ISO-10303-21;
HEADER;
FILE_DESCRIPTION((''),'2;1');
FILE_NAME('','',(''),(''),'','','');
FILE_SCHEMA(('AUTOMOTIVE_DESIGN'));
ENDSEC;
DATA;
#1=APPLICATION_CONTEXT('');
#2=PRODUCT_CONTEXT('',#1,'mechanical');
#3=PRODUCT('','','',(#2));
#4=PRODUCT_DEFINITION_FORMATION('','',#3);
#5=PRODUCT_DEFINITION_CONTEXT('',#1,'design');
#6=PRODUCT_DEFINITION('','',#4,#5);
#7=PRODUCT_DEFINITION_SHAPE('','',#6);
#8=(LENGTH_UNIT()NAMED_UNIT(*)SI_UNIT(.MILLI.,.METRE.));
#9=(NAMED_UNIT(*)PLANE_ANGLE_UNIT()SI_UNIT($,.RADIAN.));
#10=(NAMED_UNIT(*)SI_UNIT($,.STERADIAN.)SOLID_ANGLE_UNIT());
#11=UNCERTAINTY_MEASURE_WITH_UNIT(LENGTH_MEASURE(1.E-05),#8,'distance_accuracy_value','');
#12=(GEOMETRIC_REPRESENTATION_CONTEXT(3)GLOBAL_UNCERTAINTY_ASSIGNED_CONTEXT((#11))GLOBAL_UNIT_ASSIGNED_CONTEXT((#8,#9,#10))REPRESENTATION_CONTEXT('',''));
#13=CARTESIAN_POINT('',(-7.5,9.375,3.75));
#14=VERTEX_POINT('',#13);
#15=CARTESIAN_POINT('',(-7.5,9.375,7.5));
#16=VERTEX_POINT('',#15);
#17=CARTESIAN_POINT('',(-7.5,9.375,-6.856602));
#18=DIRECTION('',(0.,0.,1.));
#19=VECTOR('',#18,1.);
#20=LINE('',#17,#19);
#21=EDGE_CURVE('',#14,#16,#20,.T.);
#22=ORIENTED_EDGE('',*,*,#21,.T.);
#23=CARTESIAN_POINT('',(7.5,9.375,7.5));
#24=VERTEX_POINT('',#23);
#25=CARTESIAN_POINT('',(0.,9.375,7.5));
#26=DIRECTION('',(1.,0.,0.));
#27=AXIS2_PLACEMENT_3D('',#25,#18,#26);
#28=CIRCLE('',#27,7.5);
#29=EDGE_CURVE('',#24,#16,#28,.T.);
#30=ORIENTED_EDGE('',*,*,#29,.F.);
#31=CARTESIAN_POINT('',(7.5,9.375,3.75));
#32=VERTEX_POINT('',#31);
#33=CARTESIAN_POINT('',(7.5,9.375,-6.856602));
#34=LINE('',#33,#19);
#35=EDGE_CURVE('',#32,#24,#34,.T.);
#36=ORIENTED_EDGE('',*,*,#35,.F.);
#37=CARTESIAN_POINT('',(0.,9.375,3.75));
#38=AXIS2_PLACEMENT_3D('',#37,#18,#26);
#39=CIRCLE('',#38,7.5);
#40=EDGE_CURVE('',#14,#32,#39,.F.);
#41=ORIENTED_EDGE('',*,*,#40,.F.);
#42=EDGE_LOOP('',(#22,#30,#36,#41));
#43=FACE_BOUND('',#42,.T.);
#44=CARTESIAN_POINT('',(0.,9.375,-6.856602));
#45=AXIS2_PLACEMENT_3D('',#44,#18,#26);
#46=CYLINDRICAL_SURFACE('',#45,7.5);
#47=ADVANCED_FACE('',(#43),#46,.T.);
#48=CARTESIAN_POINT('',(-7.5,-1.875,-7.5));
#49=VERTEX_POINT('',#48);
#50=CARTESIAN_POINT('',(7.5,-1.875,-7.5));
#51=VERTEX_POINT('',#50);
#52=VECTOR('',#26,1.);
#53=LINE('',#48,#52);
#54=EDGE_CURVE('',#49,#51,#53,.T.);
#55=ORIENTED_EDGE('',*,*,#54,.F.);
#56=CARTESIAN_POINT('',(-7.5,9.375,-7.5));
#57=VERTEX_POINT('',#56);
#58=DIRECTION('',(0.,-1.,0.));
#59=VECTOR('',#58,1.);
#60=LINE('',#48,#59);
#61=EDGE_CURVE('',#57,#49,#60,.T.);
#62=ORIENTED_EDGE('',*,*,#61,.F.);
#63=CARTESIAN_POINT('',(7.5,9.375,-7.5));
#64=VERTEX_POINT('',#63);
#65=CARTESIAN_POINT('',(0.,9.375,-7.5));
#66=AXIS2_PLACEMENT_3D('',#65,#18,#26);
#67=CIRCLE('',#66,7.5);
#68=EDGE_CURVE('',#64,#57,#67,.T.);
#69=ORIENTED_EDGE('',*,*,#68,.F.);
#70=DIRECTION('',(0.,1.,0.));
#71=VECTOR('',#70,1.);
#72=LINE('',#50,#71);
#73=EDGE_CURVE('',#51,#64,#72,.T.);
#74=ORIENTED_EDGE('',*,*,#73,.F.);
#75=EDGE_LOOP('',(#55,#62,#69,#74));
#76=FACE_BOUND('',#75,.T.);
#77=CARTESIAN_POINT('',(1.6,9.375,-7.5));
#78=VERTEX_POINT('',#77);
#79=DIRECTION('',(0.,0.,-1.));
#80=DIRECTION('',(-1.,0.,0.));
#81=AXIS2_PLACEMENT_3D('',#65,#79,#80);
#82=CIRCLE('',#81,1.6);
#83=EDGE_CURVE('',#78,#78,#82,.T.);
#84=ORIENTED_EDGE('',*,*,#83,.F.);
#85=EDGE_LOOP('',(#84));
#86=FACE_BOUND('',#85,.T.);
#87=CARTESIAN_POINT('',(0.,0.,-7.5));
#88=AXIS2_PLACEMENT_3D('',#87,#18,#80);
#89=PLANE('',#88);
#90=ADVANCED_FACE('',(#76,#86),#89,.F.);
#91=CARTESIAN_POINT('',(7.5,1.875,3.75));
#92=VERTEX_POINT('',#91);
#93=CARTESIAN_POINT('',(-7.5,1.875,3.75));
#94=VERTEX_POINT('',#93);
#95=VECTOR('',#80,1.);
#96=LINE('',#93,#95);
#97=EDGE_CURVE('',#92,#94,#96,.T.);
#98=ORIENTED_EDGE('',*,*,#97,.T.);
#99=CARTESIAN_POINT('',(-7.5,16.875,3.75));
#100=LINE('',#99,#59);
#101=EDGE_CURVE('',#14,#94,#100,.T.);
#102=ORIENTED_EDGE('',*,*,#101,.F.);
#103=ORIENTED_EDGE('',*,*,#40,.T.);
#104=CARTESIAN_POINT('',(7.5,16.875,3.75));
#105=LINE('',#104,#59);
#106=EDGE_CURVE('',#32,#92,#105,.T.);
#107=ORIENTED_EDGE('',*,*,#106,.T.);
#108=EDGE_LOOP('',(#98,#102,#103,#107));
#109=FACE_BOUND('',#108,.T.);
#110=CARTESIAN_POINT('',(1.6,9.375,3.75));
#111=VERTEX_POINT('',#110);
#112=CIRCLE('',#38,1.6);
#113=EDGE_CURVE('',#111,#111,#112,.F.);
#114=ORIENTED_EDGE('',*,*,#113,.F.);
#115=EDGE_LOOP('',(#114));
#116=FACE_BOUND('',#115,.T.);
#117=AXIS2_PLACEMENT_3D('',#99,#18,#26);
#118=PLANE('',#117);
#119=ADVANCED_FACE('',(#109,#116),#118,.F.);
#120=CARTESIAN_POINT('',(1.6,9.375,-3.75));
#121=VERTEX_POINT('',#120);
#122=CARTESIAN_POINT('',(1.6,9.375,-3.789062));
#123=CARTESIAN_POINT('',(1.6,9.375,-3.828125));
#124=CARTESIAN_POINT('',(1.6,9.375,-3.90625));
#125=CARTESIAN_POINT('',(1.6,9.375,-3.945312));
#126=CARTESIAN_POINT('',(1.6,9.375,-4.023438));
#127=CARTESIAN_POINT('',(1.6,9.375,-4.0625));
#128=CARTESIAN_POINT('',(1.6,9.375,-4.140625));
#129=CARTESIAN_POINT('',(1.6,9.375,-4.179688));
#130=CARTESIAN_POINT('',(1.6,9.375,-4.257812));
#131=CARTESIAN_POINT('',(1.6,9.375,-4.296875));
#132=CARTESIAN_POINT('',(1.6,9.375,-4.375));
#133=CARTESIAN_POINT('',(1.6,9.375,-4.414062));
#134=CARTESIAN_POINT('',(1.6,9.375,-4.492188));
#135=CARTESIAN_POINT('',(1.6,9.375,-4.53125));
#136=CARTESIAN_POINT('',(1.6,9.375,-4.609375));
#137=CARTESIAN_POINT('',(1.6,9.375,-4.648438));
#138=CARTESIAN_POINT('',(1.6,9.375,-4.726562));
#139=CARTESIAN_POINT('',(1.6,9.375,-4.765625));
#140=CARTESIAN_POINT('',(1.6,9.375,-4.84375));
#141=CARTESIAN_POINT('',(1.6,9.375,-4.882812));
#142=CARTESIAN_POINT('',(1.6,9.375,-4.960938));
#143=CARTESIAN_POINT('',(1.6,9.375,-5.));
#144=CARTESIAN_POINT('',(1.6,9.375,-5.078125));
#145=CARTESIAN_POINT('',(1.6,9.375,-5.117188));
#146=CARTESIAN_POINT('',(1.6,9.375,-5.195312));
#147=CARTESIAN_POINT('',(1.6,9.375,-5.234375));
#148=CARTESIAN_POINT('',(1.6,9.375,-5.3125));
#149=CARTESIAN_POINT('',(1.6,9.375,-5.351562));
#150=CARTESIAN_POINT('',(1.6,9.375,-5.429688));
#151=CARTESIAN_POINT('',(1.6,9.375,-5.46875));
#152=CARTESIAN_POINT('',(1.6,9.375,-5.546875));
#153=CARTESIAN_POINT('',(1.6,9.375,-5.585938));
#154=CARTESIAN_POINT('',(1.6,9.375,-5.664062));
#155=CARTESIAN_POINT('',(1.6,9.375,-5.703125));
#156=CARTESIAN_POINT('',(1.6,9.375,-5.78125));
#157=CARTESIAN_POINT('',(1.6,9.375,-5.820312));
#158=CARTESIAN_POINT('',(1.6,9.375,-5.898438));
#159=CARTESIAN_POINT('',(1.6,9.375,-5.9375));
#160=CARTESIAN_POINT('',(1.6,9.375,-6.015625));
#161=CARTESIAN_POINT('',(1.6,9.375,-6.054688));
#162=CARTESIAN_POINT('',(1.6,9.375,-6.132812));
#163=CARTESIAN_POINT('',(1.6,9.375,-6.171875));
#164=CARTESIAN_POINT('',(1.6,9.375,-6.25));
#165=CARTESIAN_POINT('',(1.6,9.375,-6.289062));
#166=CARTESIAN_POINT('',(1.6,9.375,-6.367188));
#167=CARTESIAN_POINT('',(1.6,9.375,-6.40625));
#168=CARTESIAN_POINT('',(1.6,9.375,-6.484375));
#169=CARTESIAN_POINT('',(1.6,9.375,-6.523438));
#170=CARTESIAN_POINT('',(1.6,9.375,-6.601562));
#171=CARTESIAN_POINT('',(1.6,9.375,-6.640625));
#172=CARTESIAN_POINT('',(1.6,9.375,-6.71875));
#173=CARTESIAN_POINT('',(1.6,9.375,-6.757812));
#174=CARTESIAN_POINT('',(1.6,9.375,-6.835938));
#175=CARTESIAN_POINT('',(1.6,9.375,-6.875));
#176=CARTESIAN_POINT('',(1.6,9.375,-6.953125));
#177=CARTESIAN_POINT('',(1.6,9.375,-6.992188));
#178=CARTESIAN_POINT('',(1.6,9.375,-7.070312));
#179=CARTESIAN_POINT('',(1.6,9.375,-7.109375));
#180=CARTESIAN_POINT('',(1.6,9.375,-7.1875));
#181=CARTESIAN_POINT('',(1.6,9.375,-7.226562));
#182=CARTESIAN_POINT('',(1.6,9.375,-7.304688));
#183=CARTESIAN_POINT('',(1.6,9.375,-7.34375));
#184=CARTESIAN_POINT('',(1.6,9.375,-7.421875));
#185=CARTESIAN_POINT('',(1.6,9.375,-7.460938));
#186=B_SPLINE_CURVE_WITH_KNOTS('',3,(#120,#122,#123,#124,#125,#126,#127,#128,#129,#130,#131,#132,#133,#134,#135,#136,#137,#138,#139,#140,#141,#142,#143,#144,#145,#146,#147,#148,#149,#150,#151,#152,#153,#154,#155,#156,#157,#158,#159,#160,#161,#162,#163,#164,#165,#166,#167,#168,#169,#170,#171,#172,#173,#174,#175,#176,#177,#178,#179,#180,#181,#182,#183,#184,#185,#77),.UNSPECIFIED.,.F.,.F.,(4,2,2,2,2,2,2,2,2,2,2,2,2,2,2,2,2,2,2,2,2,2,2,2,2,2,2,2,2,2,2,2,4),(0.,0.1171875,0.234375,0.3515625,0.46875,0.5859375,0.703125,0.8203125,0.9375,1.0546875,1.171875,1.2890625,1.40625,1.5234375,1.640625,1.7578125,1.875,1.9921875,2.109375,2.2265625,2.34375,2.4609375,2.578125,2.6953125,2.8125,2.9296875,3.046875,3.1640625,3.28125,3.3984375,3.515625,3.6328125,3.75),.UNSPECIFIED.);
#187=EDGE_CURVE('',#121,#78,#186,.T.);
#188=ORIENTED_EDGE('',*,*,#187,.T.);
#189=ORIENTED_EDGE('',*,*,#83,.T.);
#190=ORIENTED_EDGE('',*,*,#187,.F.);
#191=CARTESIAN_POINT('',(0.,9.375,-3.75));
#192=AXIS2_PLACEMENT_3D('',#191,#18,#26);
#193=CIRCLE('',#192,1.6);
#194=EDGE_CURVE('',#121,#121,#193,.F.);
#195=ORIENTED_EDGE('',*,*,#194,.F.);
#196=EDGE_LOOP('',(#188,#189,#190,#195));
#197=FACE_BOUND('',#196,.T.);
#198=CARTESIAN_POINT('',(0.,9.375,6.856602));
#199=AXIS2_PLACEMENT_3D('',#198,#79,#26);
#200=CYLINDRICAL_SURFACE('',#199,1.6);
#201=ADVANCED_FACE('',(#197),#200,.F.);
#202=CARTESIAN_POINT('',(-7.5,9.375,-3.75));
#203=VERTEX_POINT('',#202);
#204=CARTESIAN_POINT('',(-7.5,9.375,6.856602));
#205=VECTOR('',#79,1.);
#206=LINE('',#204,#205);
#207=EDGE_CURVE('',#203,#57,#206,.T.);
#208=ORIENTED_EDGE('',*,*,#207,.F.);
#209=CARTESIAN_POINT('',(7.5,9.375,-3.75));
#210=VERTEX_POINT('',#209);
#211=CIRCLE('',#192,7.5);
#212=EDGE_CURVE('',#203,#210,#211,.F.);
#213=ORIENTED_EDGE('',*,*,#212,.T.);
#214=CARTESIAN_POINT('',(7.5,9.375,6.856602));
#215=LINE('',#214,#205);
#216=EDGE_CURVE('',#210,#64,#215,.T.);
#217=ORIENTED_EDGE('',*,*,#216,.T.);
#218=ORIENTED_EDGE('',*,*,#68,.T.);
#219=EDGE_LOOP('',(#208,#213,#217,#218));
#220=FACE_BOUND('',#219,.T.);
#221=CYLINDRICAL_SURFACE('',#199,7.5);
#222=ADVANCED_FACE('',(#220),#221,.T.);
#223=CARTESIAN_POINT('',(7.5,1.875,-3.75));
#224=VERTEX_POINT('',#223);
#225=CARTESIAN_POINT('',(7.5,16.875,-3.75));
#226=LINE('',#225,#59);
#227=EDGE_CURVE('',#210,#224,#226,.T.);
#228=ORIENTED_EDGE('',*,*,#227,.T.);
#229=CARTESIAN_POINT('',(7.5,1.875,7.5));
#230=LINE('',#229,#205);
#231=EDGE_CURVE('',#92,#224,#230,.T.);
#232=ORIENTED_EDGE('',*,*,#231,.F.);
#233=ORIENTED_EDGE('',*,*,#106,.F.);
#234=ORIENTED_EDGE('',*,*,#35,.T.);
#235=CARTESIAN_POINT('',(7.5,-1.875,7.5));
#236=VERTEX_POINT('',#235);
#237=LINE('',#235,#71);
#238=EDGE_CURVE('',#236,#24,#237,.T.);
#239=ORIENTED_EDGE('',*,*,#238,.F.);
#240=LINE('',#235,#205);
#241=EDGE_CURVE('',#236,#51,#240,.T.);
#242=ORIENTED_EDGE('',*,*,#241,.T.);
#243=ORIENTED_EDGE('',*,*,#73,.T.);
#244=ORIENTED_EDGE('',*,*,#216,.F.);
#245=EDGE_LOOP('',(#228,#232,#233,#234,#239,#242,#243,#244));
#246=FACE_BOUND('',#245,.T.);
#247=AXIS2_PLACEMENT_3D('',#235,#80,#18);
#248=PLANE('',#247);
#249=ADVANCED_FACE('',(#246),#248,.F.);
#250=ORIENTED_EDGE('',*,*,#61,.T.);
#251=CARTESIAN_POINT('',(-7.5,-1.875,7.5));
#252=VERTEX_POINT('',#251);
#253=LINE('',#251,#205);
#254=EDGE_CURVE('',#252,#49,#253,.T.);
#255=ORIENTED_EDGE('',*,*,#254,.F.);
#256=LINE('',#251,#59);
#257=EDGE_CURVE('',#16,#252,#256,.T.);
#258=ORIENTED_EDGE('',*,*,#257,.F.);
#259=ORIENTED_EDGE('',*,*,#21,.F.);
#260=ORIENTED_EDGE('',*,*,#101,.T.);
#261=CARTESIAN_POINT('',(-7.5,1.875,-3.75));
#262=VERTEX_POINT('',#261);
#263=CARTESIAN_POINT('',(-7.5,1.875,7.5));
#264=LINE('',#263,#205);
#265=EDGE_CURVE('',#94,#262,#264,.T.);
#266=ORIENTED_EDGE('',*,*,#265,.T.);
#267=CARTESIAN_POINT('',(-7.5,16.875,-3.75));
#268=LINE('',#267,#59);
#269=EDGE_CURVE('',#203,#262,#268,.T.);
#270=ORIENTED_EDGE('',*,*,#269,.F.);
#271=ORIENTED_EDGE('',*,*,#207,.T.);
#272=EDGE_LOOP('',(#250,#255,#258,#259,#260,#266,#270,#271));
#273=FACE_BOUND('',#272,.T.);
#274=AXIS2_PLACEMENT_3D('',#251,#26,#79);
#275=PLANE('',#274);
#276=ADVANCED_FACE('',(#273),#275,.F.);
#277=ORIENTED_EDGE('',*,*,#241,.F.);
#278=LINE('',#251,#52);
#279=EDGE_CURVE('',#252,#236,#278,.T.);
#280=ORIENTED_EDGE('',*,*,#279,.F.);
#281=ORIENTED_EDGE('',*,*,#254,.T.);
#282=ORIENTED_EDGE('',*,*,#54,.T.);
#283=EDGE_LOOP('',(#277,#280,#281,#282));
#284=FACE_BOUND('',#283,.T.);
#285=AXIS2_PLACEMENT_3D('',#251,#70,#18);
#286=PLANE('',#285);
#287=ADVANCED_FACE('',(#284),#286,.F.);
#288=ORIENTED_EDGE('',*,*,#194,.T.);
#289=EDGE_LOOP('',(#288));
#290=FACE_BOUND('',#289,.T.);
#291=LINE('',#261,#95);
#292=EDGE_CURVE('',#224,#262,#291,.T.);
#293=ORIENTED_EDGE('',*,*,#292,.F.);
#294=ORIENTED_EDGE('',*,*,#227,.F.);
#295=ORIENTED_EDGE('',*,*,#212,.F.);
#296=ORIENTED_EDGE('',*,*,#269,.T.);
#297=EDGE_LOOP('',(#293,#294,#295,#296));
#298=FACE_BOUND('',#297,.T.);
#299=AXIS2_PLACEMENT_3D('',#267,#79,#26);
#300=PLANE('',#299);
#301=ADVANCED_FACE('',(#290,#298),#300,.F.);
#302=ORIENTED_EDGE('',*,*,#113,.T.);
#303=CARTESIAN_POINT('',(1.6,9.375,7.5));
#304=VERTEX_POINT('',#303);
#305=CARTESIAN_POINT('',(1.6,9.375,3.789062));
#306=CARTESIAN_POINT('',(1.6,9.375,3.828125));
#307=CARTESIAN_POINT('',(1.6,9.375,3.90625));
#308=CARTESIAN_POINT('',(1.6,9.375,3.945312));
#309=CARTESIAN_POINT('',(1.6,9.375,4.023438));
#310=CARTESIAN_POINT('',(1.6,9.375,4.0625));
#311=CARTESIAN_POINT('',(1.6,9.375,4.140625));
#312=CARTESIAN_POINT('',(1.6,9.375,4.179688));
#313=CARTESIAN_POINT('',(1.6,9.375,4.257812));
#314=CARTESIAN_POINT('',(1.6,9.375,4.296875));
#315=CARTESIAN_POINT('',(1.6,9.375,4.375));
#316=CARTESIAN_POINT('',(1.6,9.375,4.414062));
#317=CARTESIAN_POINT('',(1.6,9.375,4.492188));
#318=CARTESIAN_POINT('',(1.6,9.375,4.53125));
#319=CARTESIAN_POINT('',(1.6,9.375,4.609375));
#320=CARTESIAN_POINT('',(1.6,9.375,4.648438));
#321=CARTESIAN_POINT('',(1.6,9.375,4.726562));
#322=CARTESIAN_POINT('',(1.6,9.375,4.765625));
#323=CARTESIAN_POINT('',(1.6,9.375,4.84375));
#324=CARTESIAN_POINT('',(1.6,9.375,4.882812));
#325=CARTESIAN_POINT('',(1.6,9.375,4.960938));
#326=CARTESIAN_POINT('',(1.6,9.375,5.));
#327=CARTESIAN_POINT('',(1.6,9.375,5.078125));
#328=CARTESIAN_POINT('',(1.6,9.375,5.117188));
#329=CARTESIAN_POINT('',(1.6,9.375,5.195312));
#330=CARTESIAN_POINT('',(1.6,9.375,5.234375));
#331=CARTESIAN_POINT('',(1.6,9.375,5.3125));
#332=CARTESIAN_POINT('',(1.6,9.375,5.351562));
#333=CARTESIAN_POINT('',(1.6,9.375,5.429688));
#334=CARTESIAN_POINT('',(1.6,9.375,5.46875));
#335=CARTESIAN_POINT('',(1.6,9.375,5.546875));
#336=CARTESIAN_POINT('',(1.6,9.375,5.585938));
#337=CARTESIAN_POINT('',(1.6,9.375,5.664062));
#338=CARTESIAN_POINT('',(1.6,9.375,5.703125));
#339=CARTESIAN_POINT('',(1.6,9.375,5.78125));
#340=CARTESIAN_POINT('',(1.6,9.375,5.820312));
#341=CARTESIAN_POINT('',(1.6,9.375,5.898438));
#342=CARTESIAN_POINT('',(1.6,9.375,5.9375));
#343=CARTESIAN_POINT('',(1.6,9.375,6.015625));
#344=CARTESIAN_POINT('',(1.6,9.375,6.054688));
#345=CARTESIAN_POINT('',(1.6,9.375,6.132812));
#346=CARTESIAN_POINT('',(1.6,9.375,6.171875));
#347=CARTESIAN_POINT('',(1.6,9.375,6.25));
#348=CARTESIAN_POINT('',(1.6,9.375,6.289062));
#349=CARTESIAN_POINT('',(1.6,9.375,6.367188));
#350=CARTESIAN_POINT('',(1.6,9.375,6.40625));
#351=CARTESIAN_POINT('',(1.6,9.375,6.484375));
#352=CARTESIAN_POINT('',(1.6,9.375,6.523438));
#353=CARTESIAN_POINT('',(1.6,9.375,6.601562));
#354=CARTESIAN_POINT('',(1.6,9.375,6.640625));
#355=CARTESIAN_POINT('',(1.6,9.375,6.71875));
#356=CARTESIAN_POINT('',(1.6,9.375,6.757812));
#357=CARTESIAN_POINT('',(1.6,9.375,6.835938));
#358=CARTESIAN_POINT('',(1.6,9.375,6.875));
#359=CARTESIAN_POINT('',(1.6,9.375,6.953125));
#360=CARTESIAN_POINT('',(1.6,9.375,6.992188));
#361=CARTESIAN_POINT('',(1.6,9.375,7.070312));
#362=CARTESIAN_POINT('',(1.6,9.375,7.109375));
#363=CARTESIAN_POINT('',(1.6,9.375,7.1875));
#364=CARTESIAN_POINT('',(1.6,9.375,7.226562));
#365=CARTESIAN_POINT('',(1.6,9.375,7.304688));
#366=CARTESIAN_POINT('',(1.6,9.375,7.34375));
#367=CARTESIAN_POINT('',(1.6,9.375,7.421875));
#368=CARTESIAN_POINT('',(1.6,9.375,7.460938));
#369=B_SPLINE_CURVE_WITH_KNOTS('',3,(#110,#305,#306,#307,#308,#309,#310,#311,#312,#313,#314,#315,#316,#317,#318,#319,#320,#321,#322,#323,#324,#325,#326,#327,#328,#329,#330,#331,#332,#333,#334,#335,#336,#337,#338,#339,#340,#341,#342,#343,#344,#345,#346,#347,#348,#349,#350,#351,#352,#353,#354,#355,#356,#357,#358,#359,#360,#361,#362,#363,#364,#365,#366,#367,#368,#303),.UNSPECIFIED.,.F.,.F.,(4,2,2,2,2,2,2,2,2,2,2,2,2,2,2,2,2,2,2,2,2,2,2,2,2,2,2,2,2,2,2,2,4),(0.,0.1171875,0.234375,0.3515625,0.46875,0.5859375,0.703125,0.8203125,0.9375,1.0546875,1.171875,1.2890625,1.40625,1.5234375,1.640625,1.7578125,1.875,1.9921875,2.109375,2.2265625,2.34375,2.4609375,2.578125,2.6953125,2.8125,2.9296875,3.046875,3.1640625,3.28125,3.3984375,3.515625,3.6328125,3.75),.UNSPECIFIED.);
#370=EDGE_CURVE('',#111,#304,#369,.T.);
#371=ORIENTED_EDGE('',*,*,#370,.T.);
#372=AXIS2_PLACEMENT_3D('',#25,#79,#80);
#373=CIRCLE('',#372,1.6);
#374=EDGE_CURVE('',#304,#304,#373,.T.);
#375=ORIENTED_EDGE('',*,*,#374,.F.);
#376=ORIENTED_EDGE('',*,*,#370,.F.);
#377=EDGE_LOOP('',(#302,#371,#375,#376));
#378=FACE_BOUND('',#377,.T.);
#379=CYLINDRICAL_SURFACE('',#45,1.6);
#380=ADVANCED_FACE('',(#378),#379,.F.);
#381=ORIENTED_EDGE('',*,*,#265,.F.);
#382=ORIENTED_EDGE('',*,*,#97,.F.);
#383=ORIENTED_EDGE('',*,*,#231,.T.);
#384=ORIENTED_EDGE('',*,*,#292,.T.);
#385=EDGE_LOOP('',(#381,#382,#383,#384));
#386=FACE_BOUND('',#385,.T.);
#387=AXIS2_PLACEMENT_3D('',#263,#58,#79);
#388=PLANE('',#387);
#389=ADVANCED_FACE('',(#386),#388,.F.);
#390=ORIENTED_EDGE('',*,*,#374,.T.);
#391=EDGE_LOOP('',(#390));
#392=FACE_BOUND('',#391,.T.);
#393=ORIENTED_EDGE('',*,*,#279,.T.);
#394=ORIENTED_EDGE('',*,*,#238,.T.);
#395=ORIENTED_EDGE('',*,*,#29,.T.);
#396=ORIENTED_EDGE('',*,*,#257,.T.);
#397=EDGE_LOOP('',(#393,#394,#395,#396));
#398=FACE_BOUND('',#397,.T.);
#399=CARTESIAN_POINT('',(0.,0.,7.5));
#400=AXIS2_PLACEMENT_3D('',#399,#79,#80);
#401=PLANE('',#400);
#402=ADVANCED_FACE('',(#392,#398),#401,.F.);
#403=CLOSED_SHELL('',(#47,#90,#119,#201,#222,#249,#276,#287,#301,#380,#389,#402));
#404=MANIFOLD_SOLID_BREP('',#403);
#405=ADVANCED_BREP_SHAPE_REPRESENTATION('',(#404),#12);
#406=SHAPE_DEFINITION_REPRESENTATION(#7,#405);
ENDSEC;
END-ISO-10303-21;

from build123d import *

# Parameters (mm, degrees)
SKETCH1_W               = 15
SKETCH1_H               = 3.75
BOSS_EXTRUDE1_DEPTH     = 7.5
SKETCH2_W               = 15
SKETCH2_H               = 3.75
BOSS_EXTRUDE2_DEPTH     = 15
SKETCH3_R               = 1.6
CUT_EXTRUDE1_DEPTH      = 20.931523399
CUT_EXTRUDE1_DEPTH_BACK = 3.75


with BuildPart() as part:
    # Sketch1 → Boss-Extrude1 (new body)
    with BuildSketch(Plane.XY):
        Rectangle(SKETCH1_W, SKETCH1_H)
    extrude(amount=BOSS_EXTRUDE1_DEPTH)

    # Sketch2 → Boss-Extrude2 (add)
    with BuildSketch(Plane(origin=(0, 1.875, 0), x_dir=(1, 0, 0), z_dir=(0, 1, 0))):
        with Locations((0, -5.625)):
            Rectangle(SKETCH2_W, SKETCH2_H)
    extrude(amount=BOSS_EXTRUDE2_DEPTH)

    # Sketch3 → Cut-Extrude1 (cut, two sides)
    with BuildSketch(Plane.XY.offset(7.5)) as cut_extrude1_sk:
        with Locations((0, 9.375)):
            Circle(SKETCH3_R)
        with BuildLine():
            ThreePointArc((-3e-08, 16.875), (5.303300848, 14.67830087), (7.5, 9.375))
            Line((7.5, 9.375), (7.5, 16.875))
            Line((7.5, 16.875), (-3e-08, 16.875))
        make_face()
        with BuildLine():
            ThreePointArc((-7.5, 9.375), (-5.30330087, 14.678300848), (-3e-08, 16.875))
            Line((-3e-08, 16.875), (-7.5, 16.875))
            Line((-7.5, 16.875), (-7.5, 9.375))
        make_face()
    extrude(amount=CUT_EXTRUDE1_DEPTH, mode=Mode.SUBTRACT)
    extrude(cut_extrude1_sk.sketch, amount=-CUT_EXTRUDE1_DEPTH_BACK, mode=Mode.SUBTRACT)

    # Mirror1: part across plane


with BuildPart() as part_1:
    add(part.part)
    add(part.part.mirror(Plane(origin=(0, 0, 0), x_dir=(1, 0, 0), z_dir=(0, 0, -1))))


solid = part_1.part
